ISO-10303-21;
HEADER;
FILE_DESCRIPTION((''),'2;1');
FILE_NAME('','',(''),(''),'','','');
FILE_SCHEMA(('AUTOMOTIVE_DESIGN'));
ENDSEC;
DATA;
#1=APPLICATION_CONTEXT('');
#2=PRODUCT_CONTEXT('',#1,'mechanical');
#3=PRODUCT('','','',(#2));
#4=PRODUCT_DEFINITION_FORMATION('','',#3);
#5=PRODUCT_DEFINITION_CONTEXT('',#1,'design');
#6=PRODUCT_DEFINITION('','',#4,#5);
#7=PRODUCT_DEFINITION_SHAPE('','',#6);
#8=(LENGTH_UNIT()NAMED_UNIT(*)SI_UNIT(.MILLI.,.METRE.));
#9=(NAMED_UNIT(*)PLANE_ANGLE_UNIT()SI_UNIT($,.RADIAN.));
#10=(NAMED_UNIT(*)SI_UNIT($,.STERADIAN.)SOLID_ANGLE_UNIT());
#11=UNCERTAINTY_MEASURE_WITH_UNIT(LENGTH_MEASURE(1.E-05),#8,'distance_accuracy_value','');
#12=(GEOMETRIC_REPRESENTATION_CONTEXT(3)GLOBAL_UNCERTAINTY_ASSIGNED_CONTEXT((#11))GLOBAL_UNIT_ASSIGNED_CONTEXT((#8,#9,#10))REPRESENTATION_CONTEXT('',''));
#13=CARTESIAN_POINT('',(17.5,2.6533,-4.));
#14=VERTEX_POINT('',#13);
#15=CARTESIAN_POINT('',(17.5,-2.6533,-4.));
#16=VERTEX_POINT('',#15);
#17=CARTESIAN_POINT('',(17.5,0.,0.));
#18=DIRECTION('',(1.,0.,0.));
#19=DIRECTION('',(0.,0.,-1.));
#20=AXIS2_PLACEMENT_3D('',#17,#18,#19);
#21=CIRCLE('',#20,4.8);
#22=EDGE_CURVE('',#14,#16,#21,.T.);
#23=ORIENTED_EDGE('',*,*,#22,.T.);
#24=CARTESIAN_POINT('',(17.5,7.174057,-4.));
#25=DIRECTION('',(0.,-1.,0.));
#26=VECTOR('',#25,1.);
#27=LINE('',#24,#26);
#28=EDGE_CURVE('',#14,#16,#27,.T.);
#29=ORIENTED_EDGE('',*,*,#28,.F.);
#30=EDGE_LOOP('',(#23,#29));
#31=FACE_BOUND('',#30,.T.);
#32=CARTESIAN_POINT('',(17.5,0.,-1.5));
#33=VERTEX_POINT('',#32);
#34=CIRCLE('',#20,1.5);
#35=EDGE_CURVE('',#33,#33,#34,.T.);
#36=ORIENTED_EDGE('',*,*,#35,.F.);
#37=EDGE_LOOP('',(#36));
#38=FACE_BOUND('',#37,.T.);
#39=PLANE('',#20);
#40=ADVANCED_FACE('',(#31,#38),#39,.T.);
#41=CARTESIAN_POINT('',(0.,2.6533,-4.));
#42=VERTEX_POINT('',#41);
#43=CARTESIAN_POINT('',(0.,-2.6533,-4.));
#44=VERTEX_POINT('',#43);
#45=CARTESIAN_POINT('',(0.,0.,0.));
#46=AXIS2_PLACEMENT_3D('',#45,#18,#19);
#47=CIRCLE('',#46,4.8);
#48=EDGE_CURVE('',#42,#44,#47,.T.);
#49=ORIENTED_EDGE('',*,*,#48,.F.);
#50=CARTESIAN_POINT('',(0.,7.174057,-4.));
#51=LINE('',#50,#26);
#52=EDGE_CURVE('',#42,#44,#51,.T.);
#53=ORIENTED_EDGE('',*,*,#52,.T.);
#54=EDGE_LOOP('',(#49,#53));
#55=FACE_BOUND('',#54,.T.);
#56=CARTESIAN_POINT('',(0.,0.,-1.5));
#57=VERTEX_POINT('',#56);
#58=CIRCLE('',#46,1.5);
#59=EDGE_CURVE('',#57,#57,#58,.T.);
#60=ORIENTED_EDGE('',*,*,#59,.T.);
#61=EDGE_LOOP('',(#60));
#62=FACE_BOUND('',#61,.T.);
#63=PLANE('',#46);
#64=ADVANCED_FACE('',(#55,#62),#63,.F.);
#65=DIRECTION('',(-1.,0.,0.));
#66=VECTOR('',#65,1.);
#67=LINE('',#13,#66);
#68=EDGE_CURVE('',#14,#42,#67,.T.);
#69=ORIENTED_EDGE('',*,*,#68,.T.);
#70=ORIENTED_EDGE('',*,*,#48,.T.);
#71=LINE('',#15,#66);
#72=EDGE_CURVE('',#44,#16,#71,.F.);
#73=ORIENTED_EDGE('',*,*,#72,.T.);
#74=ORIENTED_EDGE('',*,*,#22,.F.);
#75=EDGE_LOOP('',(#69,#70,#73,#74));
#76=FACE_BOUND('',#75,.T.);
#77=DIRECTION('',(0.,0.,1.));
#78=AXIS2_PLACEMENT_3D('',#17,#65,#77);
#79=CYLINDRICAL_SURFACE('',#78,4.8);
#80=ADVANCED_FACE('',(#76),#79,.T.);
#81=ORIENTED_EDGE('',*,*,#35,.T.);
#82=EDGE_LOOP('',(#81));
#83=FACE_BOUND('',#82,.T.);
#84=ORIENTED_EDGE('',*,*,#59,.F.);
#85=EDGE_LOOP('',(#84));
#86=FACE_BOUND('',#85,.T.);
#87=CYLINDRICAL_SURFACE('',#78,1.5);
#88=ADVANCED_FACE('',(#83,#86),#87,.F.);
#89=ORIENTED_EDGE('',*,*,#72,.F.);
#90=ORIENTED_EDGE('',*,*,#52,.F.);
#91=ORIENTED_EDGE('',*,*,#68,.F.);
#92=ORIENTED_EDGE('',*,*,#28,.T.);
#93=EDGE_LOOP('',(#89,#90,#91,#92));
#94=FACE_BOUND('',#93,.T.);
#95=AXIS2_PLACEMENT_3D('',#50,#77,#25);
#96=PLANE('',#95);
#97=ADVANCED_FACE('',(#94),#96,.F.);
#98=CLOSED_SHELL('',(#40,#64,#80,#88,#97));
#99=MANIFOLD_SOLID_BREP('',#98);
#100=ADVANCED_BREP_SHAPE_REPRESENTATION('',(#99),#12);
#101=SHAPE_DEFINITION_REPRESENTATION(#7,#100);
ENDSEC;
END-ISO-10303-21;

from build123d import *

# Parameters (mm, degrees)
SKETCH1_R           = 4.8
SKETCH1_R_2         = 1.5
BOSS_EXTRUDE1_DEPTH = 17.5
SKETCH2_W           = 8.41396409
SKETCH2_H           = 14.524915231
CUT_EXTRUDE1_DEPTH  = 19.770455509


with BuildPart() as part:
    # Sketch1 → Boss-Extrude1 (new body)
    with BuildSketch(Plane(origin=(0, 0, 0), x_dir=(0, 0, -1), z_dir=(1, 0, 0))):
        Circle(SKETCH1_R)
        Circle(SKETCH1_R_2, mode=Mode.SUBTRACT)
    extrude(amount=BOSS_EXTRUDE1_DEPTH)

    # Sketch2 → Cut-Extrude1 (cut, through all)
    with BuildSketch(Plane(origin=(17.5, 0, 0), x_dir=(0, 0, -1), z_dir=(1, 0, 0))):
        with Locations((8.206982045, -0.088400346)):
            Rectangle(SKETCH2_W, SKETCH2_H)
    extrude(amount=-CUT_EXTRUDE1_DEPTH, mode=Mode.SUBTRACT)


solid = part.part
